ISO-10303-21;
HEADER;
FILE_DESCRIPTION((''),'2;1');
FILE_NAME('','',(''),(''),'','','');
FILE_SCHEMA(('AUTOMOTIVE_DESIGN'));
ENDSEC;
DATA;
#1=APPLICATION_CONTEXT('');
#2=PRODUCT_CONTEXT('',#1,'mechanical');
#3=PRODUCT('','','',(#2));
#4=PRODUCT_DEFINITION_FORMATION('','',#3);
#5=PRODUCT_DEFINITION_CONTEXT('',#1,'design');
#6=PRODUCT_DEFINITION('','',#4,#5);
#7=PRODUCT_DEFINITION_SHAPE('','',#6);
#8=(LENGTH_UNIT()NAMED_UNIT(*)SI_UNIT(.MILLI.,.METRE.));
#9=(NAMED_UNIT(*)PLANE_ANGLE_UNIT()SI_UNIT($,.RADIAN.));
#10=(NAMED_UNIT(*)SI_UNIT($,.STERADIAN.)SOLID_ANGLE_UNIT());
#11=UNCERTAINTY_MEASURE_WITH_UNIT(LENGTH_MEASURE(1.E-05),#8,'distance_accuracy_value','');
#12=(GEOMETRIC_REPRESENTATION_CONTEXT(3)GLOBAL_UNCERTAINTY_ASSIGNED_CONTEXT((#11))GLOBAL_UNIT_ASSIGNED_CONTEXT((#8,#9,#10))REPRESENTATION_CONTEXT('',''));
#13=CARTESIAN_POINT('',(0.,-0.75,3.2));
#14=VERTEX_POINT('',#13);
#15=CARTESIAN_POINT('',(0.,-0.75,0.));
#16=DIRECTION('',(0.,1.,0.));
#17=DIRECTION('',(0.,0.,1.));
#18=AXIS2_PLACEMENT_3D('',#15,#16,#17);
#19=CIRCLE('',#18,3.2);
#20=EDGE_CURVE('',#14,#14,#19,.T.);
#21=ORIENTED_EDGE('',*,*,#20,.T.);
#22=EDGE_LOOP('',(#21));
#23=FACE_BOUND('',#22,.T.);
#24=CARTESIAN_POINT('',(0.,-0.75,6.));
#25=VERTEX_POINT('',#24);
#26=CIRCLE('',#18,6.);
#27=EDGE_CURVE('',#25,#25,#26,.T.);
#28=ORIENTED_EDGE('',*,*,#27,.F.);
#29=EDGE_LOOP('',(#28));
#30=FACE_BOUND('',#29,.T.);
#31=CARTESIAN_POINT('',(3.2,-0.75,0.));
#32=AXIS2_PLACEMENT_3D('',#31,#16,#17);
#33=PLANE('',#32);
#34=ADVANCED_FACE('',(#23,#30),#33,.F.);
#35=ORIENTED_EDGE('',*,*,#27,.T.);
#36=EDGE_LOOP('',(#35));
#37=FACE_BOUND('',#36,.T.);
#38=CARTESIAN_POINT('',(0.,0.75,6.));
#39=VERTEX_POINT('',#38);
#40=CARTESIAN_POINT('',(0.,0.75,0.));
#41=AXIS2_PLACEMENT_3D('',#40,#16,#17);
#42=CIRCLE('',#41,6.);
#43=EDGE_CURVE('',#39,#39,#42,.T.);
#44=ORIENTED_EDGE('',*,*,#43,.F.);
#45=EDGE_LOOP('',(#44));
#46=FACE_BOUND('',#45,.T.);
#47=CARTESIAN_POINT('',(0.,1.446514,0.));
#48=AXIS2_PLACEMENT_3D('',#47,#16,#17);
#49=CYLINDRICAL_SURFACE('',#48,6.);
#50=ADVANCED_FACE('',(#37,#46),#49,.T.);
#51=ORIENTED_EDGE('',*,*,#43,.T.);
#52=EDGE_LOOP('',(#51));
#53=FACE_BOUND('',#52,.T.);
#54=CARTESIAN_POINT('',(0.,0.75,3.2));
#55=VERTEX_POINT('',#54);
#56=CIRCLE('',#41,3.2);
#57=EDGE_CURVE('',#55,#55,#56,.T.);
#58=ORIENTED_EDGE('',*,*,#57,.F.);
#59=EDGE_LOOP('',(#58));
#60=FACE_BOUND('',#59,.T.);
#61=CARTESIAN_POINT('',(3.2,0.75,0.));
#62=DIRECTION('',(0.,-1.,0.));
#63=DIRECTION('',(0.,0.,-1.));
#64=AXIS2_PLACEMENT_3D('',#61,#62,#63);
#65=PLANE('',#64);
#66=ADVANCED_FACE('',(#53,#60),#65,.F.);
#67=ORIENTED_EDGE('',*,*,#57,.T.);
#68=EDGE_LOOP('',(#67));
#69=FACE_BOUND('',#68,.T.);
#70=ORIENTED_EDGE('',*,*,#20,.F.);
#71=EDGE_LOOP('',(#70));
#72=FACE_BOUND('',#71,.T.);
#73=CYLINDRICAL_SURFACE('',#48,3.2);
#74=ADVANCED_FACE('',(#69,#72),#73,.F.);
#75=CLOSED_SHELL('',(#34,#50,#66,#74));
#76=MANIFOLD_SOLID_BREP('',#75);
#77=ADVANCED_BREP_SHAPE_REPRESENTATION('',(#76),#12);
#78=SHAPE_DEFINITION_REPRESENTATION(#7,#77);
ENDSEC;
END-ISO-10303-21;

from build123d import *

# Parameters (mm, degrees)
SKETCH1_W = 2.8
SKETCH1_H = 1.5


with BuildPart() as part:
    # Sketch1 → Revolve1 (revolve)
    with BuildSketch(Plane.XY):
        with Locations((4.6, 0)):
            Rectangle(SKETCH1_W, SKETCH1_H)
    revolve(axis=Axis((0, 1.446513829, 0), (0, -1, 0)))


solid = part.part
